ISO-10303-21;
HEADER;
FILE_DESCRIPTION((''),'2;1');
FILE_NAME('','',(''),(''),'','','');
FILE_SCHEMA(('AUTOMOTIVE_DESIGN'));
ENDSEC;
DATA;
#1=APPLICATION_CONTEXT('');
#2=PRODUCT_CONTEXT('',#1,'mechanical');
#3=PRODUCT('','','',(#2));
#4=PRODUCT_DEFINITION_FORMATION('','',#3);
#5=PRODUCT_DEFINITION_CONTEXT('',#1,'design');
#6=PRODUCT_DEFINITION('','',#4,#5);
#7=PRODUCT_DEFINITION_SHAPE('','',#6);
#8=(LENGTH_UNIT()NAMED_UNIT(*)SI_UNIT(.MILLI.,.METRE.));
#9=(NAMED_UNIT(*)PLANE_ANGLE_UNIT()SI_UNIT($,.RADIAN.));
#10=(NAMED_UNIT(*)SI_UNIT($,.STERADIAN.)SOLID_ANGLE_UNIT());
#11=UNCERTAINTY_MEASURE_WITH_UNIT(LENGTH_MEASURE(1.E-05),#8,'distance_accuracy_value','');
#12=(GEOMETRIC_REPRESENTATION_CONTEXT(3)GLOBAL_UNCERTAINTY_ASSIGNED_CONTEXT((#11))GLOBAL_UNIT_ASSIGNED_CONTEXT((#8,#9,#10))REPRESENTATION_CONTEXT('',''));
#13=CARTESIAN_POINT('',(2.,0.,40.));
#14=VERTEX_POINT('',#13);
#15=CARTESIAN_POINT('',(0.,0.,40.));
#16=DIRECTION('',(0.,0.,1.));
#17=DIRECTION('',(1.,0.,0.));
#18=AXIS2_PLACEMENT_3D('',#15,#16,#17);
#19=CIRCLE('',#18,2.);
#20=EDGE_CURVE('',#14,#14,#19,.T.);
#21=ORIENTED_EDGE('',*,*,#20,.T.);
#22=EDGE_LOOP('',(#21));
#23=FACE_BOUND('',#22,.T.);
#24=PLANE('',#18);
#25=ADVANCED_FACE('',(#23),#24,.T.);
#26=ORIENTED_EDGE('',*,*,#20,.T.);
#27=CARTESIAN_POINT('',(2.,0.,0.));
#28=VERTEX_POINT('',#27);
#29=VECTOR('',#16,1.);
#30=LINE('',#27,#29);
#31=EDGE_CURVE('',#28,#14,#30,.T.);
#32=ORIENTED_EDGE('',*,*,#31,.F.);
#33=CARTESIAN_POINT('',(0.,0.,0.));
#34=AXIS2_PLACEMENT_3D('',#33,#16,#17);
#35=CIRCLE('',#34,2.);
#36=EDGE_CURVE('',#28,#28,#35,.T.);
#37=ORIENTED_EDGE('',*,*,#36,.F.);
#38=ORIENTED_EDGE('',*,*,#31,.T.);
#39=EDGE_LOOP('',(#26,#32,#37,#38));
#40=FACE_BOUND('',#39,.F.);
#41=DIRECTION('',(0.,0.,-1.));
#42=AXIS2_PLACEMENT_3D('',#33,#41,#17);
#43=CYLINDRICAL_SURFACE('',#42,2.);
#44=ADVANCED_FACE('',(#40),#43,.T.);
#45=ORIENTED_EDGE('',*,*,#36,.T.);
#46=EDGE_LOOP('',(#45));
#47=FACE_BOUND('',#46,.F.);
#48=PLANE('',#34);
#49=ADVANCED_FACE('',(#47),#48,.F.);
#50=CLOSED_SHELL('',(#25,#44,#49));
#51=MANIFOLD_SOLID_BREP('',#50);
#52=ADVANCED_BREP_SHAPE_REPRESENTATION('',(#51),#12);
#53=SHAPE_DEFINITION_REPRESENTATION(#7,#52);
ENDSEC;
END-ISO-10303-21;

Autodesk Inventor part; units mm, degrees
ref_plane "YZ Plane" through (0, 0, 0) normal (1, 0, 0) x (0, 1, 0)
ref_plane "XZ Plane" through (0, 0, 0) normal (0, 1, 0) x (-1, 0, 0)
ref_plane "XY Plane" through (0, 0, 0) normal (0, 0, 1) x (1, 0, 0)
sketch "Sketch1" plane through (0, 0, 0) normal (0, 0, 1) x (1, 0, 0)
  circle A0 centre (0, 0) radius 2
  dimension "d0" = 4
extrude "Extrusion1" add sketch "Sketch1" along normal blind 40
properties part number "Crank Coupler Pin 40mm" material "Steel, Mild"
